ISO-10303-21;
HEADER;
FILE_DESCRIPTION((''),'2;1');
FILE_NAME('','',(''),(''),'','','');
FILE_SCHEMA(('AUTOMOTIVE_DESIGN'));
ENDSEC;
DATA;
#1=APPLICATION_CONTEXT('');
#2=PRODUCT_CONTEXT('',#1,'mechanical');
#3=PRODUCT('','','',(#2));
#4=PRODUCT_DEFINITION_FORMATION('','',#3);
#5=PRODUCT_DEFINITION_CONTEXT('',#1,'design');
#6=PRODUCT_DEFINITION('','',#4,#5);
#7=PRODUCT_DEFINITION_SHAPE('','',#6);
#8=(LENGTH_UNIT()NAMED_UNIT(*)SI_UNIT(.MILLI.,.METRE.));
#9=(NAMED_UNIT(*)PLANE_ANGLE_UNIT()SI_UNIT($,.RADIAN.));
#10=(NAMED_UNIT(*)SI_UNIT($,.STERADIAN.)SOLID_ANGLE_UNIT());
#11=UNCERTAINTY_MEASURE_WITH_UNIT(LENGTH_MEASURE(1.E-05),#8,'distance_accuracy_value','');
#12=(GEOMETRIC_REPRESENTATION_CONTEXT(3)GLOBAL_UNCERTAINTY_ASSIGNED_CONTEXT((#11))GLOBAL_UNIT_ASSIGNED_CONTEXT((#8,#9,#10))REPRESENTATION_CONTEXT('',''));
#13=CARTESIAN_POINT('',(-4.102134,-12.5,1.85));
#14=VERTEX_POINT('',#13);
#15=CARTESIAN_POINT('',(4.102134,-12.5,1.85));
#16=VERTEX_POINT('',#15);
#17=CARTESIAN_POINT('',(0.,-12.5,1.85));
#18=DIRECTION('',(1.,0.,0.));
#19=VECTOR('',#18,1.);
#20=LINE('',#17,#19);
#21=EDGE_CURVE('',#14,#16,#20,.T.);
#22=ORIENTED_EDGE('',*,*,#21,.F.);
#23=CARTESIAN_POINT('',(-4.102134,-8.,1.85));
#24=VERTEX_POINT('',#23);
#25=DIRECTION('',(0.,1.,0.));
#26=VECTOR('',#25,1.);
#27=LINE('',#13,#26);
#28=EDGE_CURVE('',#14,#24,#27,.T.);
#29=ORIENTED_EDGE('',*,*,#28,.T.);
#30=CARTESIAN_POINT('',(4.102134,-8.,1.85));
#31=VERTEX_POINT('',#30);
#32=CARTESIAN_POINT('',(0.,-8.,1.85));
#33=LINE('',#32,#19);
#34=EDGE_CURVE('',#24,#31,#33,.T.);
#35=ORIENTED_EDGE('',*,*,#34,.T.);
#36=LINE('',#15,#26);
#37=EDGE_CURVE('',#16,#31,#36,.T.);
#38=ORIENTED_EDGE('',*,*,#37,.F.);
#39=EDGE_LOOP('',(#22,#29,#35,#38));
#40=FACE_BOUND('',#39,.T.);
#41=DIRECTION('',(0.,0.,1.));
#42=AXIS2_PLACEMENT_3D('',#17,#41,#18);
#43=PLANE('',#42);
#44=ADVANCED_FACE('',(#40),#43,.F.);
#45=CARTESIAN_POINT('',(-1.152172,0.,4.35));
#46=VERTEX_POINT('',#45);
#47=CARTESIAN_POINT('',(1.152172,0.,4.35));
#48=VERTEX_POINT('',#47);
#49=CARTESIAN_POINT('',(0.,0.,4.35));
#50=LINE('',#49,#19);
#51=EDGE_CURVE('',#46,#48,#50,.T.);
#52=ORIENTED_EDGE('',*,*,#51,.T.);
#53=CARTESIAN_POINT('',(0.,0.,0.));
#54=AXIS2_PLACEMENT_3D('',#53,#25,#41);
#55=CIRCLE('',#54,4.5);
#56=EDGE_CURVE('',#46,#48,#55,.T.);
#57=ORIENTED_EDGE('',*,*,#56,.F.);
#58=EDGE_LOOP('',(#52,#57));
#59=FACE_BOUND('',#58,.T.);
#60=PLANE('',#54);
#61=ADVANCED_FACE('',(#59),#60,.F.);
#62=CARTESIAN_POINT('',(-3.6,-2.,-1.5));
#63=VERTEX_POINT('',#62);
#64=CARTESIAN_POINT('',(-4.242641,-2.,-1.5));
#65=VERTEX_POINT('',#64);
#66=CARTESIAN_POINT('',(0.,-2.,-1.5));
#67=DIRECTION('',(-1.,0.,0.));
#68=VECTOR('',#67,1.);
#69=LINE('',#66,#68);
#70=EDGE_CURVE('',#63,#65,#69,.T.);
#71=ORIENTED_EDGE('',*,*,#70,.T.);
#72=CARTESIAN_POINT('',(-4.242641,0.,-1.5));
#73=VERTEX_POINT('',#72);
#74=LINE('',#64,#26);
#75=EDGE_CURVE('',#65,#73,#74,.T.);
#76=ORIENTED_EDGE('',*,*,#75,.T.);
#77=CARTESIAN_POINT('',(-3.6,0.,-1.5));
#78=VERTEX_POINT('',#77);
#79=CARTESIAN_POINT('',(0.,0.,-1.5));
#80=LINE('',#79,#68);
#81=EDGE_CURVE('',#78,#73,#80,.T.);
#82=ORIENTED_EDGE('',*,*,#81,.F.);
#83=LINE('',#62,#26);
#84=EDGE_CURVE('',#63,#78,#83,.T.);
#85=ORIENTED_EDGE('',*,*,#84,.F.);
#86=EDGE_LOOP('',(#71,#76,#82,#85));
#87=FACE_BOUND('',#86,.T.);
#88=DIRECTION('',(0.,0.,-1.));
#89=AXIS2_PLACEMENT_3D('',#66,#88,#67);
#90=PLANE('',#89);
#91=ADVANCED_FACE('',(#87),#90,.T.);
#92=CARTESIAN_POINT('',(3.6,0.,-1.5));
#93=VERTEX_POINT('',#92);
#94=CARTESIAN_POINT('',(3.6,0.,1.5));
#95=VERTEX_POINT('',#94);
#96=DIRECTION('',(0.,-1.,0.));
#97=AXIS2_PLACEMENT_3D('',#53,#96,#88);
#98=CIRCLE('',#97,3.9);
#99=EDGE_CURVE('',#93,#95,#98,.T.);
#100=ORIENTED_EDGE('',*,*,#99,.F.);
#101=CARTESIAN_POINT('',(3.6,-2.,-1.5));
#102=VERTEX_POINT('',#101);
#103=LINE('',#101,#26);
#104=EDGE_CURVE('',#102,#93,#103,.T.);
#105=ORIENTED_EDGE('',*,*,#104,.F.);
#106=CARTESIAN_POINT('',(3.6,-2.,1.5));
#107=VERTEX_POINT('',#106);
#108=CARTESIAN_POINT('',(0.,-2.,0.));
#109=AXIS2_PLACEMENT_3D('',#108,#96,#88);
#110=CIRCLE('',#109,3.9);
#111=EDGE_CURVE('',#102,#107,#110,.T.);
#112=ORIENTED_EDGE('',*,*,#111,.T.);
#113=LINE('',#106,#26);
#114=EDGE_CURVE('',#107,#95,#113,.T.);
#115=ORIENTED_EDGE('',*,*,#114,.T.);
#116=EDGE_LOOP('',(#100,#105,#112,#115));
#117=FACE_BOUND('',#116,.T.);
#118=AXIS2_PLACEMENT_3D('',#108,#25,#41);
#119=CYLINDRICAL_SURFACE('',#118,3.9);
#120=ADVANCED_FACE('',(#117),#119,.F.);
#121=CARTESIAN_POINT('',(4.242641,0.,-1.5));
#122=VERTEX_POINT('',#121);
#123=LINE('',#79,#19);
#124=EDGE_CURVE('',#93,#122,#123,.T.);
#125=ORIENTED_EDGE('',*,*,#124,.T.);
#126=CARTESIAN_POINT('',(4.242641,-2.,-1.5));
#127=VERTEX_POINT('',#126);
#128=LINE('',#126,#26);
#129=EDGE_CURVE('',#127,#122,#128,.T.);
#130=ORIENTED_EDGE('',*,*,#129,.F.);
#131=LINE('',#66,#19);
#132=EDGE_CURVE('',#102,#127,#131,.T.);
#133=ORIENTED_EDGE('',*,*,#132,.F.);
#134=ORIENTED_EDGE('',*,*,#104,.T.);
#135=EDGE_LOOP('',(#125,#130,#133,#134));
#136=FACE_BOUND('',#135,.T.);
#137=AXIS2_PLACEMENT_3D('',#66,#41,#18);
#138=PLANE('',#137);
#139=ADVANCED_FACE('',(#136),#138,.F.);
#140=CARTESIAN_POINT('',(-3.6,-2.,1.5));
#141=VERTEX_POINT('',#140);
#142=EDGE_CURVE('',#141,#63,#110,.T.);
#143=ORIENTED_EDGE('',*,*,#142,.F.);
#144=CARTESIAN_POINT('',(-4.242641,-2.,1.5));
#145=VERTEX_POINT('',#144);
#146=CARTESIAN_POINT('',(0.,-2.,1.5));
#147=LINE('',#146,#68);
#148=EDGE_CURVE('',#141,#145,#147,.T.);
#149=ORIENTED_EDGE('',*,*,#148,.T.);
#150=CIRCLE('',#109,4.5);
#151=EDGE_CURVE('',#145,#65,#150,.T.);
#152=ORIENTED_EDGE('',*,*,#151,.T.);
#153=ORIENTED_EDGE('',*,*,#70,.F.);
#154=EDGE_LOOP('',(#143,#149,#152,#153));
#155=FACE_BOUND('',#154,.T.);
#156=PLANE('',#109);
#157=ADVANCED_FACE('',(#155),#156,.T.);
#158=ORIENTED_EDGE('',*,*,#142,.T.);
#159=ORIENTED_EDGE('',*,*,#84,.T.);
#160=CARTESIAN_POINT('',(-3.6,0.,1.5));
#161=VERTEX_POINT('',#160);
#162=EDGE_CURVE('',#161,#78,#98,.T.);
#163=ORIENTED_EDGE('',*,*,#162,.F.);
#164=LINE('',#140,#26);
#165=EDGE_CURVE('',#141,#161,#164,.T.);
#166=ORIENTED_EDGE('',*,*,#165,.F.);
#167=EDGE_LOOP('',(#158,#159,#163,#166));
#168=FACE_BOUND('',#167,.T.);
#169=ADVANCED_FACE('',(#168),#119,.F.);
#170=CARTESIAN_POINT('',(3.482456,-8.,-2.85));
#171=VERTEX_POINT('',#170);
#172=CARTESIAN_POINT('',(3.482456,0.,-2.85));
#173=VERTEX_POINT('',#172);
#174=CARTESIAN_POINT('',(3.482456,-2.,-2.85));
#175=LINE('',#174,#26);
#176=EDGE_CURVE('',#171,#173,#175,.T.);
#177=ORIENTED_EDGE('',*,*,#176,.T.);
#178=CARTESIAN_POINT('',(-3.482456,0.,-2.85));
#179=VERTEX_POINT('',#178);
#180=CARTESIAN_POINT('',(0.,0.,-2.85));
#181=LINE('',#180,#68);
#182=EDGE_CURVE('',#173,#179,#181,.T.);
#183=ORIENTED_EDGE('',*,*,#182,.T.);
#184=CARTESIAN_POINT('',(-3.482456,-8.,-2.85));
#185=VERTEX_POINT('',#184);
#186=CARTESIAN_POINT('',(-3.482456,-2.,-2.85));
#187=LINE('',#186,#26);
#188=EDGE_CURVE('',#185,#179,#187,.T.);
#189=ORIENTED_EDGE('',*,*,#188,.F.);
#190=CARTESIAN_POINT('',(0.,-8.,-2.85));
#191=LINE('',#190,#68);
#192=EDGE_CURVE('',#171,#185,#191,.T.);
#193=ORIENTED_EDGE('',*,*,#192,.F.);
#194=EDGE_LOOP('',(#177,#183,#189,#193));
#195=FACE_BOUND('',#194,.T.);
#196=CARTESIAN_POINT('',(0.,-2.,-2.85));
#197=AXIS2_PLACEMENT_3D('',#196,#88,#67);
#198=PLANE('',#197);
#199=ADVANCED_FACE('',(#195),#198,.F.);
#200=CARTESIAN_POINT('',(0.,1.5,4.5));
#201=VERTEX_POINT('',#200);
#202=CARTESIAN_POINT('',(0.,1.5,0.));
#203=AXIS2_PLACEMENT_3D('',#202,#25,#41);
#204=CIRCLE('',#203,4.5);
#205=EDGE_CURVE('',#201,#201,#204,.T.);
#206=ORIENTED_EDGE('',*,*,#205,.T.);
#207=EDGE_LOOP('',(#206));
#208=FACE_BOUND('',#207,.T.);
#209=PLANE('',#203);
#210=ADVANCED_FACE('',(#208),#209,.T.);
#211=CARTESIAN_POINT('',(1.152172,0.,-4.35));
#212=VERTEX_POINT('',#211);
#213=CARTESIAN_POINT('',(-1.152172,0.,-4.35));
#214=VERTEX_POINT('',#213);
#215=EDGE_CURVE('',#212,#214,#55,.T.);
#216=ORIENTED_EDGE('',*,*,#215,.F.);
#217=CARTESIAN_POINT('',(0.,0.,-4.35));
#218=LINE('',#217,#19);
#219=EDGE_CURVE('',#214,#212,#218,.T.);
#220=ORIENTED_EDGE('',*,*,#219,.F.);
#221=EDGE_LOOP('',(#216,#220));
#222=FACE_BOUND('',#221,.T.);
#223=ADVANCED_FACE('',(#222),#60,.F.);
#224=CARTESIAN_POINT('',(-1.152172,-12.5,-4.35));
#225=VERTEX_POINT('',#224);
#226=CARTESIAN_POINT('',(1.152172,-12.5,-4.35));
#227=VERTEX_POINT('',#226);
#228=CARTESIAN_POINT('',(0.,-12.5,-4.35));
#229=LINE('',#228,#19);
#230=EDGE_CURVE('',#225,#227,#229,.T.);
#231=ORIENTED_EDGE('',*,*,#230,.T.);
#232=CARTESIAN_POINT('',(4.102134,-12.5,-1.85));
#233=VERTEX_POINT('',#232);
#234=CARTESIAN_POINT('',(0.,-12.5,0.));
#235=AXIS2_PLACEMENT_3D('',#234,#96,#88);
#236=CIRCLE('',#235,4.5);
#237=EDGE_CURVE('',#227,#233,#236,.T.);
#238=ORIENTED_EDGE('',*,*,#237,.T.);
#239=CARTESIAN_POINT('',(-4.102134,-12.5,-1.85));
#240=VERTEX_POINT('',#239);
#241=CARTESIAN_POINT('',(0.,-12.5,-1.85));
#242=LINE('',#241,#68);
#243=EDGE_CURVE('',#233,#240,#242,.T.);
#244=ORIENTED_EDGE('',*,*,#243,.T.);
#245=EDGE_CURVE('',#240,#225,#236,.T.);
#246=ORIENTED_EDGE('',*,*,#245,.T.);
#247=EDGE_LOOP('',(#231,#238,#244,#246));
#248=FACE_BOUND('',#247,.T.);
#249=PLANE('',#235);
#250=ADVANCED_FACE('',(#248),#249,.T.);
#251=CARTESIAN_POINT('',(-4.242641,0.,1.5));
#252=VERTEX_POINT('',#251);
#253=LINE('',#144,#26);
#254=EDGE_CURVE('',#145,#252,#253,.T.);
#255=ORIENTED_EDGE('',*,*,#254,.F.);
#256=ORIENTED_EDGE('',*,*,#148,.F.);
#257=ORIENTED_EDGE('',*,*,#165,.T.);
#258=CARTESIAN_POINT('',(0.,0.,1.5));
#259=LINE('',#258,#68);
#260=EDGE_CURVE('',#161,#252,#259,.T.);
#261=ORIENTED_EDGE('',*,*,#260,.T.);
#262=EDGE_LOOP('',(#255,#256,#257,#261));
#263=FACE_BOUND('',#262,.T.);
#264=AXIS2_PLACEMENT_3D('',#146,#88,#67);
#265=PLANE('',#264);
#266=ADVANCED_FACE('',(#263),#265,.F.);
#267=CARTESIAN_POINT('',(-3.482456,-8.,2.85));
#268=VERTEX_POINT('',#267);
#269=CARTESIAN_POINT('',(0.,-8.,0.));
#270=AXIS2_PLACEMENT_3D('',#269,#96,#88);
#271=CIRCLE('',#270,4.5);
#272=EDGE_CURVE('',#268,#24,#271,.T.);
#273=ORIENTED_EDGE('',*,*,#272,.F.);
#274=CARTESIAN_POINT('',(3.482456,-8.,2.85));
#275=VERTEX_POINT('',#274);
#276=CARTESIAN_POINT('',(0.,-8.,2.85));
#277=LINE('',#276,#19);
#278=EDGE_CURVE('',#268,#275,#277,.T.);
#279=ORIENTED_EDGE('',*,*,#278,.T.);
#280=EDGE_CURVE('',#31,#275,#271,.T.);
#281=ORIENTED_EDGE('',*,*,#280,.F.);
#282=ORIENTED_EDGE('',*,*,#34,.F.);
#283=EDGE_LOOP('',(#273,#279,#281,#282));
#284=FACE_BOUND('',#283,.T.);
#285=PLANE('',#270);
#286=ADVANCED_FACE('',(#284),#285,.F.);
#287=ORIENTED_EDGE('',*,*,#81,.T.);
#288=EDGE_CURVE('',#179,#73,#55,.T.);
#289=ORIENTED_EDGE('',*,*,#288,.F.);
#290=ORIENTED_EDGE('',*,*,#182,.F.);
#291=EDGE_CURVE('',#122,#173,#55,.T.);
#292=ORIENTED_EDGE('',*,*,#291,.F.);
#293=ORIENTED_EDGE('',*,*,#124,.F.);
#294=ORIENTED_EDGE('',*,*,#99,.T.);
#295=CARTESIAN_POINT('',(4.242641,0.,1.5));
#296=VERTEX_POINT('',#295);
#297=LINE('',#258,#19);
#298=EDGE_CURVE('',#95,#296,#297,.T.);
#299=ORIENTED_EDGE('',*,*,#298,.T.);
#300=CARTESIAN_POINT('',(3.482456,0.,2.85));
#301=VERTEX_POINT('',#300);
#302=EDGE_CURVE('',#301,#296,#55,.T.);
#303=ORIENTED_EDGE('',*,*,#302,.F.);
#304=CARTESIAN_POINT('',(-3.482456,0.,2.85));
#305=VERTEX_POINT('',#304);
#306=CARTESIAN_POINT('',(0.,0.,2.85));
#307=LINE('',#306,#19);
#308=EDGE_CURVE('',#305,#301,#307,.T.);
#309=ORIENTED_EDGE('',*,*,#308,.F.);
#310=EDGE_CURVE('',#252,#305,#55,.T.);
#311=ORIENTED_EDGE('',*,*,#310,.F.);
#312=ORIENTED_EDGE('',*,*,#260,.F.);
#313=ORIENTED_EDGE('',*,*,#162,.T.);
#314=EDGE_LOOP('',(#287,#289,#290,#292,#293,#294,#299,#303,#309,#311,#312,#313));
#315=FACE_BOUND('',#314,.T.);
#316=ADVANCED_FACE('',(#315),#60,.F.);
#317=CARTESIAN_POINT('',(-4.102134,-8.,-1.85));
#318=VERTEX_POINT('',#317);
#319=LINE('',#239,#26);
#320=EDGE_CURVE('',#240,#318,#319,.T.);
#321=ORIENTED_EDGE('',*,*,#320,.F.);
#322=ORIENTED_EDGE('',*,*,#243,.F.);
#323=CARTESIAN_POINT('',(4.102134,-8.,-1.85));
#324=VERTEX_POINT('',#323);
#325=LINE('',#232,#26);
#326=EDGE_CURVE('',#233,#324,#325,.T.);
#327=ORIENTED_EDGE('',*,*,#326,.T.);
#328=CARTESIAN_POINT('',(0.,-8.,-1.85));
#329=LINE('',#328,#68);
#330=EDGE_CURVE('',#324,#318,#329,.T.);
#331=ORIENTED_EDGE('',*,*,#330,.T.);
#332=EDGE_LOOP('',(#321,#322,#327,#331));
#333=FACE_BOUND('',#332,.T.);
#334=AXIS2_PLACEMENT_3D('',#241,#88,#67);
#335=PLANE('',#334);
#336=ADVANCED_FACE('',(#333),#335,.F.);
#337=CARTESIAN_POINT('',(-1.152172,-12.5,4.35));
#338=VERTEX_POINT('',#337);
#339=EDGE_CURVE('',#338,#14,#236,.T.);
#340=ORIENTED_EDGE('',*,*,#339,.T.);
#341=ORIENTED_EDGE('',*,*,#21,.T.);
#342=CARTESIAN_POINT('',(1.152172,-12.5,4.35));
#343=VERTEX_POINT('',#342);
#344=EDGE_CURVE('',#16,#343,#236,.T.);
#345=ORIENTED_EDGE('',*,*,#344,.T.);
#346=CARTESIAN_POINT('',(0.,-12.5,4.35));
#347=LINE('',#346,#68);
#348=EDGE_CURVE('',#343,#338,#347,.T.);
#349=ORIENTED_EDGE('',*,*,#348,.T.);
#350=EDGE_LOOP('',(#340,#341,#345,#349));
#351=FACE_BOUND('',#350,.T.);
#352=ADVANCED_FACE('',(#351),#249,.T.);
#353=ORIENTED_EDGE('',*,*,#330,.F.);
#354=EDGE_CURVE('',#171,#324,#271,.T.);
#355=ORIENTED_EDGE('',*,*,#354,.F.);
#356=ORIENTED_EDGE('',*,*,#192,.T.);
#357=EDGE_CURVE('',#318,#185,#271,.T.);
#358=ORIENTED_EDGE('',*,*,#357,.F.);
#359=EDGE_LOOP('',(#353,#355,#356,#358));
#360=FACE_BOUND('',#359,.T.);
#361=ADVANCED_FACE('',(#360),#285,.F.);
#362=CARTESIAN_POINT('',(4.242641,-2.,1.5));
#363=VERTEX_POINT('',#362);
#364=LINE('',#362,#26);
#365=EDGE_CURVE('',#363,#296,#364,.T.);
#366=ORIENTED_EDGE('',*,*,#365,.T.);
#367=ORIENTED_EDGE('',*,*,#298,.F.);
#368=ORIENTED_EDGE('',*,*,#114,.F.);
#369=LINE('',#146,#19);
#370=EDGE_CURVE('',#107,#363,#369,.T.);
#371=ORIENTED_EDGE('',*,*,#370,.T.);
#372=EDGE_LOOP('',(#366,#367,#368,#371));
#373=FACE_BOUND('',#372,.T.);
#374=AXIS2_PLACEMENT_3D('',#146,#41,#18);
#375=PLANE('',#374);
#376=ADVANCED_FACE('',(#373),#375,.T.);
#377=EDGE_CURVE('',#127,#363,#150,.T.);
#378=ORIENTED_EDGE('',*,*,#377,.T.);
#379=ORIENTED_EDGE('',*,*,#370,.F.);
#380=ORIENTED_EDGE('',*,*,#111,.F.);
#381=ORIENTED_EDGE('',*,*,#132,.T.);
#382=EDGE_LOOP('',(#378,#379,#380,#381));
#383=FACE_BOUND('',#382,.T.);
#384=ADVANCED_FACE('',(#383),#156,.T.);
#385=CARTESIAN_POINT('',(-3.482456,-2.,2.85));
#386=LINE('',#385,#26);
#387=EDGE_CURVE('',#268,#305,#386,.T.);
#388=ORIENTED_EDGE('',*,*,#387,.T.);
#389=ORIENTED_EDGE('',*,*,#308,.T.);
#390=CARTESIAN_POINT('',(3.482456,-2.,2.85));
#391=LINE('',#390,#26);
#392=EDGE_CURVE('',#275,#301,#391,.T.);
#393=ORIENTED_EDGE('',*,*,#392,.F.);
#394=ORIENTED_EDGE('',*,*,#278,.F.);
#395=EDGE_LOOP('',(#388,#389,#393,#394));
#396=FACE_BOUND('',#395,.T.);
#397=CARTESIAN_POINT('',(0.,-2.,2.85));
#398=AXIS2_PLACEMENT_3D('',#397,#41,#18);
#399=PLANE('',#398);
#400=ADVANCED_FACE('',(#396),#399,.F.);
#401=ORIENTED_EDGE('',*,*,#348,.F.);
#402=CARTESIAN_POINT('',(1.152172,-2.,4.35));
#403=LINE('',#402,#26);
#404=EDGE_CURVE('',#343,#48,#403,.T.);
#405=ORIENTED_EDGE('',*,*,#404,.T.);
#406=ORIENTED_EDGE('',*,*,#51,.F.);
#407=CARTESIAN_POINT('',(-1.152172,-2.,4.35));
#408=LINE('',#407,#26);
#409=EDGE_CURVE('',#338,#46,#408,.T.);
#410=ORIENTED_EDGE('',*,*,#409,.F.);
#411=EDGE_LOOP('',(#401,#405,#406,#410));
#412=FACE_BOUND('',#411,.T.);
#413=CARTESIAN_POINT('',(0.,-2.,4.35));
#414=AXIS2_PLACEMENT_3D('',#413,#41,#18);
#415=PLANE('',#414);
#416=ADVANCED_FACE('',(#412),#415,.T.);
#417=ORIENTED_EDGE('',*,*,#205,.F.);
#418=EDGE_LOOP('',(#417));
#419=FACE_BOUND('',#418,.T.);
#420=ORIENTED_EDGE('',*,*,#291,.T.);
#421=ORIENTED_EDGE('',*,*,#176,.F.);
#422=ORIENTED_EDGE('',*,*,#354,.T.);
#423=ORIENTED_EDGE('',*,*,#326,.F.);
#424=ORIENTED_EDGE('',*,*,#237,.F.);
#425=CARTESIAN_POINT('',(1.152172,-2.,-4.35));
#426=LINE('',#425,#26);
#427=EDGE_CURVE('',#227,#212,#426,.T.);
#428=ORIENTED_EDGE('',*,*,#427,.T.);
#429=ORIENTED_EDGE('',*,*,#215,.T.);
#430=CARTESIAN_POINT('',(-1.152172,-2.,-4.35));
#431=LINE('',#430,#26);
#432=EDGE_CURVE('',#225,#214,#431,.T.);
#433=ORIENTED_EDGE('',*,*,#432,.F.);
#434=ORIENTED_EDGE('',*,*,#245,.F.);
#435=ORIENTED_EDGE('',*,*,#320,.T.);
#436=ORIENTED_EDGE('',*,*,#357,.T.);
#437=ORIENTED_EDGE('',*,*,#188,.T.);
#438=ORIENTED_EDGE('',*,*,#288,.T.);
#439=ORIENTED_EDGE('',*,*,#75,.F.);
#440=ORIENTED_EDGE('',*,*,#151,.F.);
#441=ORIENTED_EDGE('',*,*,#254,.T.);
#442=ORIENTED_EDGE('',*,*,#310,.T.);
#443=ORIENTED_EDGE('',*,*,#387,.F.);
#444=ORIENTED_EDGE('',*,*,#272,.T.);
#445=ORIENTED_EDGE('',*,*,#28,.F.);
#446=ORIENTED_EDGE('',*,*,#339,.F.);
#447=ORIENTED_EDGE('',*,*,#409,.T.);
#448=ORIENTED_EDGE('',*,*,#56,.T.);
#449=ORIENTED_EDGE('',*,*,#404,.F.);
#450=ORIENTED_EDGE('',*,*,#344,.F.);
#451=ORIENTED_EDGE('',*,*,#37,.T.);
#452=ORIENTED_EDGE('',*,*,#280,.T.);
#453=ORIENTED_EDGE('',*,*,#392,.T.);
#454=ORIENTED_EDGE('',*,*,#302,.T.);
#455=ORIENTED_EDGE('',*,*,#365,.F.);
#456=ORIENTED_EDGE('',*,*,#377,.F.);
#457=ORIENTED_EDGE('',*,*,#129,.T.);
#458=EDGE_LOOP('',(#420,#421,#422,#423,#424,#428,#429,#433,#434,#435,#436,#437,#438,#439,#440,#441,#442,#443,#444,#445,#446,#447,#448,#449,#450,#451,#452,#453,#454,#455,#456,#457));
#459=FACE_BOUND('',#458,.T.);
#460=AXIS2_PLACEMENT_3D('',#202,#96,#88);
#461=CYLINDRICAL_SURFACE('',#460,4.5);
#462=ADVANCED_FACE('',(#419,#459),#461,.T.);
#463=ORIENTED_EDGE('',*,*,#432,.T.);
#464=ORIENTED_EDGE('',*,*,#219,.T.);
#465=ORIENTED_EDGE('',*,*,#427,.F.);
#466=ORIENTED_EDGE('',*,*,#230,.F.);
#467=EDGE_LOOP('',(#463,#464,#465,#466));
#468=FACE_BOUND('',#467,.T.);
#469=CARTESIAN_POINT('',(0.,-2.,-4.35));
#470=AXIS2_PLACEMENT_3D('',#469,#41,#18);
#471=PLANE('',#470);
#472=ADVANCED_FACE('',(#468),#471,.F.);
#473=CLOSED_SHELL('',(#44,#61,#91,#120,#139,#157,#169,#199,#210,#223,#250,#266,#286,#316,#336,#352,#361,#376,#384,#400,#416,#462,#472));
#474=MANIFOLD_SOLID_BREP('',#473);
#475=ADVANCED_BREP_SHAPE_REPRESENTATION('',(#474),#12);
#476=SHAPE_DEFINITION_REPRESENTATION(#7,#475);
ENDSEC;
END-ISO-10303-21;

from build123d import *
from build123d.topology import SkipClean

# Parameters (mm, degrees)
SKETCH1_R           = 4.5
BOSS_EXTRUDE1_DEPTH = 1.5
BOSS_EXTRUDE2_START = 2
BOSS_EXTRUDE2_DEPTH = 2
BOSS_EXTRUDE3_START = 6
BOSS_EXTRUDE3_DEPTH = 6
BOSS_EXTRUDE4_START = 4.5
BOSS_EXTRUDE4_DEPTH = 4.5


with BuildPart() as part:
    # Sketch1 → Boss-Extrude1 (new body)
    with BuildSketch(Plane(origin=(0, 0, 0), x_dir=(1, 0, 0), z_dir=(0, 1, 0))):
        Circle(SKETCH1_R)
    extrude(amount=BOSS_EXTRUDE1_DEPTH)

    # Sketch2 → Boss-Extrude2 (add)
    with SkipClean():  # the faces are left unmerged after this step: merging them gives an invalid solid
        with BuildSketch(Plane.XZ.offset(BOSS_EXTRUDE2_START)):
            with BuildLine():
                ThreePointArc((-1.152171862, 4.35), (-2.43566088, 3.783854658), (-3.48245603, 2.85))
                Line((-3.48245603, 2.85), (3.48245603, 2.85))
                ThreePointArc((3.48245603, 2.85), (2.43566088, 3.783854658), (1.152171862, 4.35))
                Line((1.152171862, 4.35), (-1.152171862, 4.35))
            make_face()
            with BuildLine():
                Line((-3.6, 1.5), (-4.242640687, 1.5))
                ThreePointArc((-4.242640687, 1.5), (-4.5, 0), (-4.242640687, -1.5))
                Line((-4.242640687, -1.5), (-3.6, -1.5))
                ThreePointArc((-3.6, -1.5), (-3.9, 0), (-3.6, 1.5))
            make_face()
            with BuildLine():
                Line((4.242640687, 1.5), (3.6, 1.5))
                ThreePointArc((3.6, 1.5), (3.9, 0), (3.6, -1.5))
                Line((3.6, -1.5), (4.242640687, -1.5))
                ThreePointArc((4.242640687, -1.5), (4.5, 0), (4.242640687, 1.5))
            make_face()
            with BuildLine():
                Line((3.48245603, -2.85), (-3.48245603, -2.85))
                ThreePointArc((-3.48245603, -2.85), (-2.43566088, -3.783854658), (-1.152171862, -4.35))
                Line((-1.152171862, -4.35), (1.152171862, -4.35))
                ThreePointArc((1.152171862, -4.35), (2.43566088, -3.783854658), (3.48245603, -2.85))
            make_face()
        extrude(amount=-BOSS_EXTRUDE2_DEPTH)

    # Sketch3 → Boss-Extrude3 (add)
    with SkipClean():  # the faces are left unmerged after this step: merging them gives an invalid solid
        with BuildSketch(Plane.XZ.offset(2).offset(BOSS_EXTRUDE3_START)):
            with BuildLine():
                ThreePointArc((-1.152171862, 4.35), (-2.43566088, 3.783854658), (-3.48245603, 2.85))
                Line((-3.48245603, 2.85), (3.48245603, 2.85))
                ThreePointArc((3.48245603, 2.85), (2.43566088, 3.783854658), (1.152171862, 4.35))
                Line((1.152171862, 4.35), (-1.152171862, 4.35))
            make_face()
            with BuildLine():
                Line((3.48245603, -2.85), (-3.48245603, -2.85))
                ThreePointArc((-3.48245603, -2.85), (-2.43566088, -3.783854658), (-1.152171862, -4.35))
                Line((-1.152171862, -4.35), (1.152171862, -4.35))
                ThreePointArc((1.152171862, -4.35), (2.43566088, -3.783854658), (3.48245603, -2.85))
            make_face()
        extrude(amount=-BOSS_EXTRUDE3_DEPTH)

    # Sketch4 → Boss-Extrude4 (add)
    with SkipClean():  # the faces are left unmerged after this step: merging them gives an invalid solid
        with BuildSketch(Plane.XZ.offset(8).offset(BOSS_EXTRUDE4_START)):
            with BuildLine():
                Line((-1.152171862, -4.35), (1.152171862, -4.35))
                ThreePointArc((1.152171862, -4.35), (2.909369597, -3.433011586), (4.102133591, -1.85))
                Line((4.102133591, -1.85), (-4.102133591, -1.85))
                ThreePointArc((-4.102133591, -1.85), (-2.909369597, -3.433011586), (-1.152171862, -4.35))
            make_face()
            with BuildLine():
                ThreePointArc((-1.152171862, 4.35), (-2.909369597, 3.433011586), (-4.102133591, 1.85))
                Line((-4.102133591, 1.85), (4.102133591, 1.85))
                ThreePointArc((4.102133591, 1.85), (2.909369597, 3.433011586), (1.152171862, 4.35))
                Line((1.152171862, 4.35), (-1.152171862, 4.35))
            make_face()
        extrude(amount=-BOSS_EXTRUDE4_DEPTH)


solid = part.part
